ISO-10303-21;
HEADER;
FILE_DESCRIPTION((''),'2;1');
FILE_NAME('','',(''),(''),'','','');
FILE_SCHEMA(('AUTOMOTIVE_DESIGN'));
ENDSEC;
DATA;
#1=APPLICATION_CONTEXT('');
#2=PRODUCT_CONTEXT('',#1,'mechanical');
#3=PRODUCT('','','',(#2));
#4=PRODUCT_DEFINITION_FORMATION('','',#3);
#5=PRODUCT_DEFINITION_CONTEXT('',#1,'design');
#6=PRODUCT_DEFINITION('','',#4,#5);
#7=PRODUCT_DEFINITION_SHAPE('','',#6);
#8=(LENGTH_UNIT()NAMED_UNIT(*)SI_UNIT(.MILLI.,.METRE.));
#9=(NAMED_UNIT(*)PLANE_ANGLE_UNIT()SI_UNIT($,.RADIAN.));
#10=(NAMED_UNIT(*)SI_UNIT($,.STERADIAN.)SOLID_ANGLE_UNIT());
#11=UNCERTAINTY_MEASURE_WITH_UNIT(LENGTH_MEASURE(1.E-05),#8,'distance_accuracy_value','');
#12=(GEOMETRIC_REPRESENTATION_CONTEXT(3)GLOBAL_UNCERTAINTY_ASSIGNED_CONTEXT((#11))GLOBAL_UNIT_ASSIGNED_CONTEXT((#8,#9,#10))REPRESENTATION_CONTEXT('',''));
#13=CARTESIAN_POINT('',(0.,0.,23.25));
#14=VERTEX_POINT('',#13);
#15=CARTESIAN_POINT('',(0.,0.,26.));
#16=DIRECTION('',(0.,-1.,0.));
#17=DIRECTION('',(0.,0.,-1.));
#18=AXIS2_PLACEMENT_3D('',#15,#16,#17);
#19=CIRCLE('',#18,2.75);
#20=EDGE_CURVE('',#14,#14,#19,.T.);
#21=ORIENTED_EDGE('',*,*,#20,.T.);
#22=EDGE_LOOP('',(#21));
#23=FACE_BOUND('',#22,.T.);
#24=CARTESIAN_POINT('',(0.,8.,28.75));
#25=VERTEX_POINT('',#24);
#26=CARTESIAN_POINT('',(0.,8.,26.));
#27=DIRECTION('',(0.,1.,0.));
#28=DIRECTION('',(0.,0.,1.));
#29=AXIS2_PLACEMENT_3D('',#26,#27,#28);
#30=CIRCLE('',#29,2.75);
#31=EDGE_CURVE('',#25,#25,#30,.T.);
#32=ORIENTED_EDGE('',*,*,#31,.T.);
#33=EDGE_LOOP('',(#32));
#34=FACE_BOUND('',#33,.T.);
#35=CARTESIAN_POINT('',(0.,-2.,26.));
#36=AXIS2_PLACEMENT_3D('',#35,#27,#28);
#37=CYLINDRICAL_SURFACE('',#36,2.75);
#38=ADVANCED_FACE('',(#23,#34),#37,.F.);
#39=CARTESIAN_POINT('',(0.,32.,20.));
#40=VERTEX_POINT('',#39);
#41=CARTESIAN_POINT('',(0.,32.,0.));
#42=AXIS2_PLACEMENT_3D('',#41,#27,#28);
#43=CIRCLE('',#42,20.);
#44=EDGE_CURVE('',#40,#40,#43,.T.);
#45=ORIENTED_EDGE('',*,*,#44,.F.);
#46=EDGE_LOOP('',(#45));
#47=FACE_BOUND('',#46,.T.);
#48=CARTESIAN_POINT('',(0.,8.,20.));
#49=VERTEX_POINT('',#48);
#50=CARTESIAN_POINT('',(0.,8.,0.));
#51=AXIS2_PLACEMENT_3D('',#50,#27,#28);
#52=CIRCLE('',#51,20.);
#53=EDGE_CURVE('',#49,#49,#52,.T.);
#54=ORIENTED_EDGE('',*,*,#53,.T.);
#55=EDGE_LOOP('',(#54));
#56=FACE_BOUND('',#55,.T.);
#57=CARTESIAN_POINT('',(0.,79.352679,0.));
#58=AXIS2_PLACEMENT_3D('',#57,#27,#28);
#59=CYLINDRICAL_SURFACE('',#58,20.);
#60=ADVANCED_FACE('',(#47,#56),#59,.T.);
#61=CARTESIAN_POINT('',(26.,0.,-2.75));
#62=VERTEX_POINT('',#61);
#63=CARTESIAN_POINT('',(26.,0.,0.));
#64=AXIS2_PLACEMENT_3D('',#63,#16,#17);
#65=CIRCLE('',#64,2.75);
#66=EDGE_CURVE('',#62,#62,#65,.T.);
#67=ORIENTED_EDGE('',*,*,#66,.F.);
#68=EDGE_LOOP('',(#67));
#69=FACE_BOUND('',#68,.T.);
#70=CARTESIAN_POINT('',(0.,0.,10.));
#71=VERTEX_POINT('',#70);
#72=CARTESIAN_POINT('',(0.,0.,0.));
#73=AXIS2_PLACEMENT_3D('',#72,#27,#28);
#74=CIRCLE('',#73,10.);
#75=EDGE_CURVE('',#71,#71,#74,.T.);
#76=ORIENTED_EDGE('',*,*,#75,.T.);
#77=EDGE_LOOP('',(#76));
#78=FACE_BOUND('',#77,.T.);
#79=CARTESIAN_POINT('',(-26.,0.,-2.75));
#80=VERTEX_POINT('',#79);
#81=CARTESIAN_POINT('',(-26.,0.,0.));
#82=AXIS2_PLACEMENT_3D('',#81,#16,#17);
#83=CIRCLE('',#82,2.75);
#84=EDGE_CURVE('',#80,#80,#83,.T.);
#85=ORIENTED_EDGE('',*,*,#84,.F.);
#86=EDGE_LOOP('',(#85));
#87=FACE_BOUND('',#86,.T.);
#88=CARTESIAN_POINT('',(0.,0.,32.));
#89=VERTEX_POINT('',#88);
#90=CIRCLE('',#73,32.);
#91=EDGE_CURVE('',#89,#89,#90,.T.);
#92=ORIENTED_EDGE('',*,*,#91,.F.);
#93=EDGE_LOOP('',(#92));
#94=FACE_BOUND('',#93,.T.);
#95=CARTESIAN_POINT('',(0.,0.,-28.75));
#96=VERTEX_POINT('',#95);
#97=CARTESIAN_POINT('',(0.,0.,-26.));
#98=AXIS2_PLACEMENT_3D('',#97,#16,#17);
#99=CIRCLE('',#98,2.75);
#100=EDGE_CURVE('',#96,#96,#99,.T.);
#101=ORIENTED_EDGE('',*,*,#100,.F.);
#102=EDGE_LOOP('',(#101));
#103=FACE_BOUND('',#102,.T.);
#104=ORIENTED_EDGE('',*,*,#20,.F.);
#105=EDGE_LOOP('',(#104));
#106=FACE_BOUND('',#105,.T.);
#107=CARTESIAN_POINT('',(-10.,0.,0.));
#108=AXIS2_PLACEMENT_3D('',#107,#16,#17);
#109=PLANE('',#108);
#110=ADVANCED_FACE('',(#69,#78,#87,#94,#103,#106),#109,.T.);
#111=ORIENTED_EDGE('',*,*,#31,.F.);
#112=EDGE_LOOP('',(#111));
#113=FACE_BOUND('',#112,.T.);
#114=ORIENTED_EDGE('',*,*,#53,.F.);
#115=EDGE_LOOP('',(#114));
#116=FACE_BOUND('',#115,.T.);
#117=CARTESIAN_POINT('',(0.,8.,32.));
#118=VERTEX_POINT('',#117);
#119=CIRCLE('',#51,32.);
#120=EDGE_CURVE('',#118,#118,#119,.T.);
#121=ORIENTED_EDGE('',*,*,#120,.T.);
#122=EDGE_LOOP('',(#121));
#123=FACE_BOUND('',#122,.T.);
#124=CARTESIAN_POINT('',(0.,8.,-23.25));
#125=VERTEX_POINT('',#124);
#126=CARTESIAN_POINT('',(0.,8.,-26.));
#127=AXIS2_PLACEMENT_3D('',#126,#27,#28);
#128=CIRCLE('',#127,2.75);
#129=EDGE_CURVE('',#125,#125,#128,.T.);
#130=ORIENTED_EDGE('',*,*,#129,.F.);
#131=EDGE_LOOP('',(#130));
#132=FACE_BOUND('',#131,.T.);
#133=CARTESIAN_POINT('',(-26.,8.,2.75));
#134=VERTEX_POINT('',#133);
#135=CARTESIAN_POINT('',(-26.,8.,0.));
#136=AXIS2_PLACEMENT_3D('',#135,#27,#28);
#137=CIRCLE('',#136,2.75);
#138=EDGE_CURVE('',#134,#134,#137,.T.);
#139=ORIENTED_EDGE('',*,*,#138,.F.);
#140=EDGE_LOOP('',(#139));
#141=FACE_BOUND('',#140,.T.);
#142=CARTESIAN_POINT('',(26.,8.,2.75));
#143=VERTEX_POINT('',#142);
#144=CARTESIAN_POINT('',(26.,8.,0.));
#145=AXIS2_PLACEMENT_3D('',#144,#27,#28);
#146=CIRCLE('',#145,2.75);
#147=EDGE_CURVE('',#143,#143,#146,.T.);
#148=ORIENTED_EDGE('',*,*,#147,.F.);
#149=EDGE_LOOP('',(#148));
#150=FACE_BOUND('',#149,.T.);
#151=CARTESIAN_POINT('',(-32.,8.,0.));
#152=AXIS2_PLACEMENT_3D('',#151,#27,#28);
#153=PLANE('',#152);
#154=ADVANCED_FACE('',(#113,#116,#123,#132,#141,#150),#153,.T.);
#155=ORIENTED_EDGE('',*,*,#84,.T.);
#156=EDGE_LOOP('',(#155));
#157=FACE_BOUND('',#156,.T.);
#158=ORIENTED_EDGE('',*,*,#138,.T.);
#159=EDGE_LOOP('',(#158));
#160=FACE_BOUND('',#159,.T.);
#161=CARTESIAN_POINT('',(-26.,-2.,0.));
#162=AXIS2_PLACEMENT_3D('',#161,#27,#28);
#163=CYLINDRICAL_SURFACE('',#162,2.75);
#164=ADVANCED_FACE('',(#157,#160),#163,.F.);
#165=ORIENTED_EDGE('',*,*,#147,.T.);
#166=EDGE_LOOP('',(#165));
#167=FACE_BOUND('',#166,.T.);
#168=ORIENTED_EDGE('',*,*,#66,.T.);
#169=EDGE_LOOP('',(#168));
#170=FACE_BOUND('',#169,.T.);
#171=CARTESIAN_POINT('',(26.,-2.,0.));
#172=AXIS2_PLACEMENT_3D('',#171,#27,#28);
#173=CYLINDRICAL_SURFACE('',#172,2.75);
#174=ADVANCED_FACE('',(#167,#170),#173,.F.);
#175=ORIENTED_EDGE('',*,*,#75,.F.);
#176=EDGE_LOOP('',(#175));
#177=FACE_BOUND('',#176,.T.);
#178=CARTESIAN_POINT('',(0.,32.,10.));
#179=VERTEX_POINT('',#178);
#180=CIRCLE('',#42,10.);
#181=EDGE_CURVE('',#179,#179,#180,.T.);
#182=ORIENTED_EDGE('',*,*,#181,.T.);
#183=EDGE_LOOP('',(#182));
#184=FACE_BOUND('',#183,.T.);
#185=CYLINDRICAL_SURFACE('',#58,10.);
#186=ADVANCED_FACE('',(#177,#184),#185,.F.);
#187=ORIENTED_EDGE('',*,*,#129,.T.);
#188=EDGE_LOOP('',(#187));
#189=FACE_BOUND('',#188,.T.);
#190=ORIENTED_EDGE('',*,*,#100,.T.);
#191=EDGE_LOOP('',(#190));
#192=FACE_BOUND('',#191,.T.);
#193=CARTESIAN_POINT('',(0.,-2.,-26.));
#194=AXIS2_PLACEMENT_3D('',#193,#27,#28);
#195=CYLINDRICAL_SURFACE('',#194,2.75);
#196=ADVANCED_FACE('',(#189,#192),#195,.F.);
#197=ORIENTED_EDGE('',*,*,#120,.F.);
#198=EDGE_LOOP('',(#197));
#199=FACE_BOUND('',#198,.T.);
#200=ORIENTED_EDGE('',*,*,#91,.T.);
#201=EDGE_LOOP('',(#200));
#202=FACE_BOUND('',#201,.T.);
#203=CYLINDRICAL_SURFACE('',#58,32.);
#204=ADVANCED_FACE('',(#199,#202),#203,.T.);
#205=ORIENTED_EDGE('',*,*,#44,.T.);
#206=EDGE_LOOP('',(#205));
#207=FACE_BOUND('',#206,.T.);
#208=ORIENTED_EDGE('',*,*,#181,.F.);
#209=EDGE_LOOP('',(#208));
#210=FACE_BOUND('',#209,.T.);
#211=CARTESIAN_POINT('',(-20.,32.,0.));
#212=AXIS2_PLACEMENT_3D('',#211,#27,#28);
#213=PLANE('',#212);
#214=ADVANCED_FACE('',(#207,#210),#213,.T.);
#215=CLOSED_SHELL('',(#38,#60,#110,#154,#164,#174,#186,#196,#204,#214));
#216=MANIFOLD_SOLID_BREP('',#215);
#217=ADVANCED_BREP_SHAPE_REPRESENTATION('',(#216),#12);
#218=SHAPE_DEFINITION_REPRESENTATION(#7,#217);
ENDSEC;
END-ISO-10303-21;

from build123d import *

# Parameters (mm, degrees)
SKETCH_2_R          = 2.75
CUT_EXTRUDE_1_DEPTH = 10


with BuildPart() as part:
    # 草图1 → 旋转1 (revolve)
    with BuildSketch(Plane.XY, mode=Mode.PRIVATE) as revolve_1_sk:
        Polygon((-10, 0), (-32, 0), (-32, 8), (-20, 8), (-20, 32), (-10, 32), align=None)
    revolve(revolve_1_sk.sketch.rotate(Axis((0, 79.352678571, 0), (0, -1, 0)), 270), axis=Axis((0, 79.352678571, 0), (0, -1, 0)))

    # 草图2 → 切除-拉伸1 (cut)
    with BuildSketch(Plane(origin=(0, 8, 0), x_dir=(1, 0, 0), z_dir=(0, 1, 0))):
        with Locations(Location((0, 26, 0), (0, 0, 270))):
            Circle(SKETCH_2_R)
        with Locations(Location((26, 0, 0), (0, 0, 270))):
            Circle(SKETCH_2_R)
        with Locations(Location((0, -26, 0), (0, 0, 270))):
            Circle(SKETCH_2_R)
        with Locations(Location((-26, 0, 0), (0, 0, 270))):
            Circle(SKETCH_2_R)
    extrude(amount=-CUT_EXTRUDE_1_DEPTH, mode=Mode.SUBTRACT)


solid = part.part
